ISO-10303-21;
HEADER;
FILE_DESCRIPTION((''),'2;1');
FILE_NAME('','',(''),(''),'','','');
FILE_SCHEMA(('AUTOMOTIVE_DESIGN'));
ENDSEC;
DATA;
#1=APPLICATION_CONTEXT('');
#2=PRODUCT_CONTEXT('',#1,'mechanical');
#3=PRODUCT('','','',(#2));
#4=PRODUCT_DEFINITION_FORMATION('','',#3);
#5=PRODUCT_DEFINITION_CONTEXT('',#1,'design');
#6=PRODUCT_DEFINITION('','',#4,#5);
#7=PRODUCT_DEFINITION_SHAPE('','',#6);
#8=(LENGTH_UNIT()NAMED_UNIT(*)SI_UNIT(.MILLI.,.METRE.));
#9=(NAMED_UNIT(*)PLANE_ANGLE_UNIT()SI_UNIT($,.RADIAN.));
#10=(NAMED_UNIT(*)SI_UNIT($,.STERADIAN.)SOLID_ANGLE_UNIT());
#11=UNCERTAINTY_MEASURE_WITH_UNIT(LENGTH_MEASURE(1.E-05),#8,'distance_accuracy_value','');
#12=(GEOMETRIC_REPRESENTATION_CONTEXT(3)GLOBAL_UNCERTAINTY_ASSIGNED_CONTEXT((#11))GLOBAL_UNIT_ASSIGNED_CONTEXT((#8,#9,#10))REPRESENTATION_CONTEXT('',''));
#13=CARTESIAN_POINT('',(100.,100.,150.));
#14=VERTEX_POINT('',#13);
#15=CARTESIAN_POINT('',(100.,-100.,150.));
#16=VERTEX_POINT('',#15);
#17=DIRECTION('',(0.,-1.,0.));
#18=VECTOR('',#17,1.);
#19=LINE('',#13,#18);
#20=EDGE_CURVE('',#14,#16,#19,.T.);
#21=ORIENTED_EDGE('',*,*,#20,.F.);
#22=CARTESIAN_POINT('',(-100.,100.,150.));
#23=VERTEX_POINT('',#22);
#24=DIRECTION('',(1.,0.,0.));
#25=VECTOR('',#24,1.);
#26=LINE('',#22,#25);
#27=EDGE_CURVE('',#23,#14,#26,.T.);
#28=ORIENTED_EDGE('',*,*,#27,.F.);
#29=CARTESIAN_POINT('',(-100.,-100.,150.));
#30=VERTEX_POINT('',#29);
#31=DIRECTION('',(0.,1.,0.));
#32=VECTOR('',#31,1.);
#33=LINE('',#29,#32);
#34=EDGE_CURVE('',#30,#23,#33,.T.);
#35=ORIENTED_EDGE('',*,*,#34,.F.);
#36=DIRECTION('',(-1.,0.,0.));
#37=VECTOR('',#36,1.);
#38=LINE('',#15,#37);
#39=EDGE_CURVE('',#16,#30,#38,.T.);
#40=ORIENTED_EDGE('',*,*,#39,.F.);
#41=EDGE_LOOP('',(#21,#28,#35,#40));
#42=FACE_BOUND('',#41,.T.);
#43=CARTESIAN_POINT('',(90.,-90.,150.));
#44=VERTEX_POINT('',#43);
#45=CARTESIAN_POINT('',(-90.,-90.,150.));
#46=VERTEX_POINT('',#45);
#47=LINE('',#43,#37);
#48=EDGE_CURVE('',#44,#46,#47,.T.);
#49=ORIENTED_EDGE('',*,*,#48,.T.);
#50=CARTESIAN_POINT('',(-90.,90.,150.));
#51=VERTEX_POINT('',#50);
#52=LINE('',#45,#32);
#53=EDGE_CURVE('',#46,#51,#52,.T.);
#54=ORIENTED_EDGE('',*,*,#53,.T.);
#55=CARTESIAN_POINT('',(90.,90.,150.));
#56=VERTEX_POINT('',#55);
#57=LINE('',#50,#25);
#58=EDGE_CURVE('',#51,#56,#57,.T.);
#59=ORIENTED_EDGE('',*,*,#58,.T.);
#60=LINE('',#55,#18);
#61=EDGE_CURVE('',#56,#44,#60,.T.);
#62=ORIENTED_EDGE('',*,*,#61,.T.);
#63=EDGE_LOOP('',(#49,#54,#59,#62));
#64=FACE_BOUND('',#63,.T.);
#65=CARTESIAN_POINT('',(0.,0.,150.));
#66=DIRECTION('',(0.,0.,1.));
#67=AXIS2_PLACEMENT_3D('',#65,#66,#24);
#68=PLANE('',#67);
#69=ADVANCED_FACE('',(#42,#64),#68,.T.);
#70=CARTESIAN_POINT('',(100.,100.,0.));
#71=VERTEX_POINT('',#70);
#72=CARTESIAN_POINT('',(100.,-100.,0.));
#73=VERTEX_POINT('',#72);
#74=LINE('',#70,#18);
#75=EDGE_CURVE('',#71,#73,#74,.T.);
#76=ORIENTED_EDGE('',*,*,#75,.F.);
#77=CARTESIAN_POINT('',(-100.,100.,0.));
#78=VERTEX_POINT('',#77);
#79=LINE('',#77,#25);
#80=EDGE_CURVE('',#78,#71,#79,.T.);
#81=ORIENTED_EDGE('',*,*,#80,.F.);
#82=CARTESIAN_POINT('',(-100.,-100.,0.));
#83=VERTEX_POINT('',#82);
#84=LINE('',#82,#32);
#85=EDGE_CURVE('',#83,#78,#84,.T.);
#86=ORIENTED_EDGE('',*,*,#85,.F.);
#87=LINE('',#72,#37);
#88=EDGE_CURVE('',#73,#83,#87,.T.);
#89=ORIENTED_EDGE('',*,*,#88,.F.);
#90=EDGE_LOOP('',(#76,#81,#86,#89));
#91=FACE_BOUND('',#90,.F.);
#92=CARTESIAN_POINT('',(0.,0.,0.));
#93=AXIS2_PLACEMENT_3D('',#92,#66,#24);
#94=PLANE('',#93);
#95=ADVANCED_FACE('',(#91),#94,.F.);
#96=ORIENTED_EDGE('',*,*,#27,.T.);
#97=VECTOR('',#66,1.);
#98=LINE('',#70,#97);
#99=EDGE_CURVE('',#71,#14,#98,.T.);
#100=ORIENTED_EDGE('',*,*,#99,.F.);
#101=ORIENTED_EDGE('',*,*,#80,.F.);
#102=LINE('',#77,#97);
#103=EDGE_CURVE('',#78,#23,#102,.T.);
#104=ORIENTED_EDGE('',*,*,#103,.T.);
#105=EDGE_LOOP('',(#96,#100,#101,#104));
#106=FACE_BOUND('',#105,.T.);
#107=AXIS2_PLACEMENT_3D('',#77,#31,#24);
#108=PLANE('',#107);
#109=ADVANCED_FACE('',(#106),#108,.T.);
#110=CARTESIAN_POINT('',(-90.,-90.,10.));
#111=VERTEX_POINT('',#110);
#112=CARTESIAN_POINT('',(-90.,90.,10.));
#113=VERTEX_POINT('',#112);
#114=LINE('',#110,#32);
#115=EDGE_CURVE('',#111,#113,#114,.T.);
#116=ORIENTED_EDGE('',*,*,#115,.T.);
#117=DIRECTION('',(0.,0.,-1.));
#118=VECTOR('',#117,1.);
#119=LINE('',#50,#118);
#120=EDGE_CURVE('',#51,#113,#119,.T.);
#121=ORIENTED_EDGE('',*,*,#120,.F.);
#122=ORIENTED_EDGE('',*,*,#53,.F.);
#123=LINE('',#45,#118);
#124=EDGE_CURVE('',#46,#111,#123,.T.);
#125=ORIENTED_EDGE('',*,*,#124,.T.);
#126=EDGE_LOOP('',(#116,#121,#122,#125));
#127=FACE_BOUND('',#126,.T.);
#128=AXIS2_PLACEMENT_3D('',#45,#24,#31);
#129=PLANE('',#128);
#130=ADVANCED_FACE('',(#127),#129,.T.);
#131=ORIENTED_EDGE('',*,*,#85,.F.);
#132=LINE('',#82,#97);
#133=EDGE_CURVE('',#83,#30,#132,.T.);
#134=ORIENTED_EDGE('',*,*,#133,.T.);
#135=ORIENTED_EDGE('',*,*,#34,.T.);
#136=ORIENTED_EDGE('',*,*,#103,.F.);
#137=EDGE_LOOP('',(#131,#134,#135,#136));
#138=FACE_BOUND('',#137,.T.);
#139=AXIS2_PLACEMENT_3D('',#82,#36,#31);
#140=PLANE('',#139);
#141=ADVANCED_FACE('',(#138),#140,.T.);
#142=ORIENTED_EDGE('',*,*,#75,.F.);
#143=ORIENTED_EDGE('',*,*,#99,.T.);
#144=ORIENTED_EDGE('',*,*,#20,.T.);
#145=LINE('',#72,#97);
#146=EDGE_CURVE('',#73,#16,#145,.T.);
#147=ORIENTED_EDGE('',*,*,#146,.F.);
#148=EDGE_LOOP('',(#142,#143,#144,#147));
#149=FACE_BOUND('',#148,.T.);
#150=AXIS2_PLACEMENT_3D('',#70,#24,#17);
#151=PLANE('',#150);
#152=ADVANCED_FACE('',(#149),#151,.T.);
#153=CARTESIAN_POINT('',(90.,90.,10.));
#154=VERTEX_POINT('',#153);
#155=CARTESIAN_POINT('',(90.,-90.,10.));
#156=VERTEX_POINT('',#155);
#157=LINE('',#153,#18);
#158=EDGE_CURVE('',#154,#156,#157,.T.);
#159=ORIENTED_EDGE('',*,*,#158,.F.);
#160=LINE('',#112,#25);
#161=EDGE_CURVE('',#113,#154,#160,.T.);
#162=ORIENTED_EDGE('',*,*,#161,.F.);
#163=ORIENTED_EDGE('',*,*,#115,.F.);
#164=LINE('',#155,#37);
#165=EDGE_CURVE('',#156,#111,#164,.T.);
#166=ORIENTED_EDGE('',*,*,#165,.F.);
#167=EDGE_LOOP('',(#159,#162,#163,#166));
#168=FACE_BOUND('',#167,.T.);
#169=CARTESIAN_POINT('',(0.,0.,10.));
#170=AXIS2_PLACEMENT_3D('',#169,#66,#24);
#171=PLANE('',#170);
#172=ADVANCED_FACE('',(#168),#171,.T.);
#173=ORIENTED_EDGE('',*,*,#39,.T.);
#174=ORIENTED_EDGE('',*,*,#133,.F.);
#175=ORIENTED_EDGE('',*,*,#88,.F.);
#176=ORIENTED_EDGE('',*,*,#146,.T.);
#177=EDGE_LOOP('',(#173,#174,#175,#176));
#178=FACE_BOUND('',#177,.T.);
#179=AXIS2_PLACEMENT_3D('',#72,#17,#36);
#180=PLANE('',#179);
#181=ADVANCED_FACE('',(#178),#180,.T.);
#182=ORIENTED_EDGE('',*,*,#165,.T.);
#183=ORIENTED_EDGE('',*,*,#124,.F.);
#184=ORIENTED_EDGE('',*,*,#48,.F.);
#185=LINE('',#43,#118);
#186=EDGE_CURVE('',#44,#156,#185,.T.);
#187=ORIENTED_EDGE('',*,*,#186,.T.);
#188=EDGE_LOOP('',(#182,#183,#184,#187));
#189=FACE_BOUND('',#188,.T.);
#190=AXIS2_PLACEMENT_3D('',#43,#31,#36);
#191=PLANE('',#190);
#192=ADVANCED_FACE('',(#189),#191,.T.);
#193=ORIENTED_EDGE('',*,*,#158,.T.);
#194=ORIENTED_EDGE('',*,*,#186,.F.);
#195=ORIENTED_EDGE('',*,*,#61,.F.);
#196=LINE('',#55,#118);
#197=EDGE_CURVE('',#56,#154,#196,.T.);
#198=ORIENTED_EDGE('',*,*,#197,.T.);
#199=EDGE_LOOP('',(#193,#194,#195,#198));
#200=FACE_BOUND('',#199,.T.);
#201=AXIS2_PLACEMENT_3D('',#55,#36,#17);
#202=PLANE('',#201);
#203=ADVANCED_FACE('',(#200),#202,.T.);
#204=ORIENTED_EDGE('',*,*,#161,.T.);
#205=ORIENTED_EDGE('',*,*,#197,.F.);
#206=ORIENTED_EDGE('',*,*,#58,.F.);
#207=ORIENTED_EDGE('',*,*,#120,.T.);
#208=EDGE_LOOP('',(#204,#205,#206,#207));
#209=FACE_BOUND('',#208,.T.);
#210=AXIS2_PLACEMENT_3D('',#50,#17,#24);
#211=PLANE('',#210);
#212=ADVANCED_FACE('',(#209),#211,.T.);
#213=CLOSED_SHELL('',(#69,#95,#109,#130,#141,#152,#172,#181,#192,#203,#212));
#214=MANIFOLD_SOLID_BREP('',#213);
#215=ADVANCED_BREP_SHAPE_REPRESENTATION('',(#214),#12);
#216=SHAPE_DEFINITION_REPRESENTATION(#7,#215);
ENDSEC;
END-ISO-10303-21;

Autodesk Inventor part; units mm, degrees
ref_plane "YZ Plane" through (0, 0, 0) normal (1, 0, 0) x (0, 1, 0)
ref_plane "XZ Plane" through (0, 0, 0) normal (0, 1, 0) x (-1, 0, 0)
ref_plane "XY Plane" through (0, 0, 0) normal (0, 0, 1) x (1, 0, 0)
sketch "스케치1" plane through (0, 0, 0) normal (0, 0, 1) x (1, 0, 0)
  line L0 (-100, 100) -> (100, 100)
  line L1 (100, 100) -> (100, -100)
  line L2 (100, -100) -> (-100, -100)
  line L3 (-100, -100) -> (-100, 100)
  point P0 (0, 0)
  dimension "d0" = 200
  dimension "d1" = 200
  dimension "d2" = 100
  dimension "d3" = 100
extrude "돌출1" add sketch "스케치1" along normal blind 150
sketch "스케치2" plane through (0, 0, 150) normal (0, 0, 1) x (1, 0, 0)
  line L0 (-90, 90) -> (90, 90)
  line L1 (90, 90) -> (90, -90)
  line L2 (90, -90) -> (-90, -90)
  line L3 (-90, -90) -> (-90, 90)
  point P0 (0, 0)
  dimension "d6" = 180
  dimension "d7" = 180
  dimension "d8" = 90
  dimension "d9" = 90
extrude "돌출2" cut sketch "스케치2" against normal blind 140
properties part number "basket"
